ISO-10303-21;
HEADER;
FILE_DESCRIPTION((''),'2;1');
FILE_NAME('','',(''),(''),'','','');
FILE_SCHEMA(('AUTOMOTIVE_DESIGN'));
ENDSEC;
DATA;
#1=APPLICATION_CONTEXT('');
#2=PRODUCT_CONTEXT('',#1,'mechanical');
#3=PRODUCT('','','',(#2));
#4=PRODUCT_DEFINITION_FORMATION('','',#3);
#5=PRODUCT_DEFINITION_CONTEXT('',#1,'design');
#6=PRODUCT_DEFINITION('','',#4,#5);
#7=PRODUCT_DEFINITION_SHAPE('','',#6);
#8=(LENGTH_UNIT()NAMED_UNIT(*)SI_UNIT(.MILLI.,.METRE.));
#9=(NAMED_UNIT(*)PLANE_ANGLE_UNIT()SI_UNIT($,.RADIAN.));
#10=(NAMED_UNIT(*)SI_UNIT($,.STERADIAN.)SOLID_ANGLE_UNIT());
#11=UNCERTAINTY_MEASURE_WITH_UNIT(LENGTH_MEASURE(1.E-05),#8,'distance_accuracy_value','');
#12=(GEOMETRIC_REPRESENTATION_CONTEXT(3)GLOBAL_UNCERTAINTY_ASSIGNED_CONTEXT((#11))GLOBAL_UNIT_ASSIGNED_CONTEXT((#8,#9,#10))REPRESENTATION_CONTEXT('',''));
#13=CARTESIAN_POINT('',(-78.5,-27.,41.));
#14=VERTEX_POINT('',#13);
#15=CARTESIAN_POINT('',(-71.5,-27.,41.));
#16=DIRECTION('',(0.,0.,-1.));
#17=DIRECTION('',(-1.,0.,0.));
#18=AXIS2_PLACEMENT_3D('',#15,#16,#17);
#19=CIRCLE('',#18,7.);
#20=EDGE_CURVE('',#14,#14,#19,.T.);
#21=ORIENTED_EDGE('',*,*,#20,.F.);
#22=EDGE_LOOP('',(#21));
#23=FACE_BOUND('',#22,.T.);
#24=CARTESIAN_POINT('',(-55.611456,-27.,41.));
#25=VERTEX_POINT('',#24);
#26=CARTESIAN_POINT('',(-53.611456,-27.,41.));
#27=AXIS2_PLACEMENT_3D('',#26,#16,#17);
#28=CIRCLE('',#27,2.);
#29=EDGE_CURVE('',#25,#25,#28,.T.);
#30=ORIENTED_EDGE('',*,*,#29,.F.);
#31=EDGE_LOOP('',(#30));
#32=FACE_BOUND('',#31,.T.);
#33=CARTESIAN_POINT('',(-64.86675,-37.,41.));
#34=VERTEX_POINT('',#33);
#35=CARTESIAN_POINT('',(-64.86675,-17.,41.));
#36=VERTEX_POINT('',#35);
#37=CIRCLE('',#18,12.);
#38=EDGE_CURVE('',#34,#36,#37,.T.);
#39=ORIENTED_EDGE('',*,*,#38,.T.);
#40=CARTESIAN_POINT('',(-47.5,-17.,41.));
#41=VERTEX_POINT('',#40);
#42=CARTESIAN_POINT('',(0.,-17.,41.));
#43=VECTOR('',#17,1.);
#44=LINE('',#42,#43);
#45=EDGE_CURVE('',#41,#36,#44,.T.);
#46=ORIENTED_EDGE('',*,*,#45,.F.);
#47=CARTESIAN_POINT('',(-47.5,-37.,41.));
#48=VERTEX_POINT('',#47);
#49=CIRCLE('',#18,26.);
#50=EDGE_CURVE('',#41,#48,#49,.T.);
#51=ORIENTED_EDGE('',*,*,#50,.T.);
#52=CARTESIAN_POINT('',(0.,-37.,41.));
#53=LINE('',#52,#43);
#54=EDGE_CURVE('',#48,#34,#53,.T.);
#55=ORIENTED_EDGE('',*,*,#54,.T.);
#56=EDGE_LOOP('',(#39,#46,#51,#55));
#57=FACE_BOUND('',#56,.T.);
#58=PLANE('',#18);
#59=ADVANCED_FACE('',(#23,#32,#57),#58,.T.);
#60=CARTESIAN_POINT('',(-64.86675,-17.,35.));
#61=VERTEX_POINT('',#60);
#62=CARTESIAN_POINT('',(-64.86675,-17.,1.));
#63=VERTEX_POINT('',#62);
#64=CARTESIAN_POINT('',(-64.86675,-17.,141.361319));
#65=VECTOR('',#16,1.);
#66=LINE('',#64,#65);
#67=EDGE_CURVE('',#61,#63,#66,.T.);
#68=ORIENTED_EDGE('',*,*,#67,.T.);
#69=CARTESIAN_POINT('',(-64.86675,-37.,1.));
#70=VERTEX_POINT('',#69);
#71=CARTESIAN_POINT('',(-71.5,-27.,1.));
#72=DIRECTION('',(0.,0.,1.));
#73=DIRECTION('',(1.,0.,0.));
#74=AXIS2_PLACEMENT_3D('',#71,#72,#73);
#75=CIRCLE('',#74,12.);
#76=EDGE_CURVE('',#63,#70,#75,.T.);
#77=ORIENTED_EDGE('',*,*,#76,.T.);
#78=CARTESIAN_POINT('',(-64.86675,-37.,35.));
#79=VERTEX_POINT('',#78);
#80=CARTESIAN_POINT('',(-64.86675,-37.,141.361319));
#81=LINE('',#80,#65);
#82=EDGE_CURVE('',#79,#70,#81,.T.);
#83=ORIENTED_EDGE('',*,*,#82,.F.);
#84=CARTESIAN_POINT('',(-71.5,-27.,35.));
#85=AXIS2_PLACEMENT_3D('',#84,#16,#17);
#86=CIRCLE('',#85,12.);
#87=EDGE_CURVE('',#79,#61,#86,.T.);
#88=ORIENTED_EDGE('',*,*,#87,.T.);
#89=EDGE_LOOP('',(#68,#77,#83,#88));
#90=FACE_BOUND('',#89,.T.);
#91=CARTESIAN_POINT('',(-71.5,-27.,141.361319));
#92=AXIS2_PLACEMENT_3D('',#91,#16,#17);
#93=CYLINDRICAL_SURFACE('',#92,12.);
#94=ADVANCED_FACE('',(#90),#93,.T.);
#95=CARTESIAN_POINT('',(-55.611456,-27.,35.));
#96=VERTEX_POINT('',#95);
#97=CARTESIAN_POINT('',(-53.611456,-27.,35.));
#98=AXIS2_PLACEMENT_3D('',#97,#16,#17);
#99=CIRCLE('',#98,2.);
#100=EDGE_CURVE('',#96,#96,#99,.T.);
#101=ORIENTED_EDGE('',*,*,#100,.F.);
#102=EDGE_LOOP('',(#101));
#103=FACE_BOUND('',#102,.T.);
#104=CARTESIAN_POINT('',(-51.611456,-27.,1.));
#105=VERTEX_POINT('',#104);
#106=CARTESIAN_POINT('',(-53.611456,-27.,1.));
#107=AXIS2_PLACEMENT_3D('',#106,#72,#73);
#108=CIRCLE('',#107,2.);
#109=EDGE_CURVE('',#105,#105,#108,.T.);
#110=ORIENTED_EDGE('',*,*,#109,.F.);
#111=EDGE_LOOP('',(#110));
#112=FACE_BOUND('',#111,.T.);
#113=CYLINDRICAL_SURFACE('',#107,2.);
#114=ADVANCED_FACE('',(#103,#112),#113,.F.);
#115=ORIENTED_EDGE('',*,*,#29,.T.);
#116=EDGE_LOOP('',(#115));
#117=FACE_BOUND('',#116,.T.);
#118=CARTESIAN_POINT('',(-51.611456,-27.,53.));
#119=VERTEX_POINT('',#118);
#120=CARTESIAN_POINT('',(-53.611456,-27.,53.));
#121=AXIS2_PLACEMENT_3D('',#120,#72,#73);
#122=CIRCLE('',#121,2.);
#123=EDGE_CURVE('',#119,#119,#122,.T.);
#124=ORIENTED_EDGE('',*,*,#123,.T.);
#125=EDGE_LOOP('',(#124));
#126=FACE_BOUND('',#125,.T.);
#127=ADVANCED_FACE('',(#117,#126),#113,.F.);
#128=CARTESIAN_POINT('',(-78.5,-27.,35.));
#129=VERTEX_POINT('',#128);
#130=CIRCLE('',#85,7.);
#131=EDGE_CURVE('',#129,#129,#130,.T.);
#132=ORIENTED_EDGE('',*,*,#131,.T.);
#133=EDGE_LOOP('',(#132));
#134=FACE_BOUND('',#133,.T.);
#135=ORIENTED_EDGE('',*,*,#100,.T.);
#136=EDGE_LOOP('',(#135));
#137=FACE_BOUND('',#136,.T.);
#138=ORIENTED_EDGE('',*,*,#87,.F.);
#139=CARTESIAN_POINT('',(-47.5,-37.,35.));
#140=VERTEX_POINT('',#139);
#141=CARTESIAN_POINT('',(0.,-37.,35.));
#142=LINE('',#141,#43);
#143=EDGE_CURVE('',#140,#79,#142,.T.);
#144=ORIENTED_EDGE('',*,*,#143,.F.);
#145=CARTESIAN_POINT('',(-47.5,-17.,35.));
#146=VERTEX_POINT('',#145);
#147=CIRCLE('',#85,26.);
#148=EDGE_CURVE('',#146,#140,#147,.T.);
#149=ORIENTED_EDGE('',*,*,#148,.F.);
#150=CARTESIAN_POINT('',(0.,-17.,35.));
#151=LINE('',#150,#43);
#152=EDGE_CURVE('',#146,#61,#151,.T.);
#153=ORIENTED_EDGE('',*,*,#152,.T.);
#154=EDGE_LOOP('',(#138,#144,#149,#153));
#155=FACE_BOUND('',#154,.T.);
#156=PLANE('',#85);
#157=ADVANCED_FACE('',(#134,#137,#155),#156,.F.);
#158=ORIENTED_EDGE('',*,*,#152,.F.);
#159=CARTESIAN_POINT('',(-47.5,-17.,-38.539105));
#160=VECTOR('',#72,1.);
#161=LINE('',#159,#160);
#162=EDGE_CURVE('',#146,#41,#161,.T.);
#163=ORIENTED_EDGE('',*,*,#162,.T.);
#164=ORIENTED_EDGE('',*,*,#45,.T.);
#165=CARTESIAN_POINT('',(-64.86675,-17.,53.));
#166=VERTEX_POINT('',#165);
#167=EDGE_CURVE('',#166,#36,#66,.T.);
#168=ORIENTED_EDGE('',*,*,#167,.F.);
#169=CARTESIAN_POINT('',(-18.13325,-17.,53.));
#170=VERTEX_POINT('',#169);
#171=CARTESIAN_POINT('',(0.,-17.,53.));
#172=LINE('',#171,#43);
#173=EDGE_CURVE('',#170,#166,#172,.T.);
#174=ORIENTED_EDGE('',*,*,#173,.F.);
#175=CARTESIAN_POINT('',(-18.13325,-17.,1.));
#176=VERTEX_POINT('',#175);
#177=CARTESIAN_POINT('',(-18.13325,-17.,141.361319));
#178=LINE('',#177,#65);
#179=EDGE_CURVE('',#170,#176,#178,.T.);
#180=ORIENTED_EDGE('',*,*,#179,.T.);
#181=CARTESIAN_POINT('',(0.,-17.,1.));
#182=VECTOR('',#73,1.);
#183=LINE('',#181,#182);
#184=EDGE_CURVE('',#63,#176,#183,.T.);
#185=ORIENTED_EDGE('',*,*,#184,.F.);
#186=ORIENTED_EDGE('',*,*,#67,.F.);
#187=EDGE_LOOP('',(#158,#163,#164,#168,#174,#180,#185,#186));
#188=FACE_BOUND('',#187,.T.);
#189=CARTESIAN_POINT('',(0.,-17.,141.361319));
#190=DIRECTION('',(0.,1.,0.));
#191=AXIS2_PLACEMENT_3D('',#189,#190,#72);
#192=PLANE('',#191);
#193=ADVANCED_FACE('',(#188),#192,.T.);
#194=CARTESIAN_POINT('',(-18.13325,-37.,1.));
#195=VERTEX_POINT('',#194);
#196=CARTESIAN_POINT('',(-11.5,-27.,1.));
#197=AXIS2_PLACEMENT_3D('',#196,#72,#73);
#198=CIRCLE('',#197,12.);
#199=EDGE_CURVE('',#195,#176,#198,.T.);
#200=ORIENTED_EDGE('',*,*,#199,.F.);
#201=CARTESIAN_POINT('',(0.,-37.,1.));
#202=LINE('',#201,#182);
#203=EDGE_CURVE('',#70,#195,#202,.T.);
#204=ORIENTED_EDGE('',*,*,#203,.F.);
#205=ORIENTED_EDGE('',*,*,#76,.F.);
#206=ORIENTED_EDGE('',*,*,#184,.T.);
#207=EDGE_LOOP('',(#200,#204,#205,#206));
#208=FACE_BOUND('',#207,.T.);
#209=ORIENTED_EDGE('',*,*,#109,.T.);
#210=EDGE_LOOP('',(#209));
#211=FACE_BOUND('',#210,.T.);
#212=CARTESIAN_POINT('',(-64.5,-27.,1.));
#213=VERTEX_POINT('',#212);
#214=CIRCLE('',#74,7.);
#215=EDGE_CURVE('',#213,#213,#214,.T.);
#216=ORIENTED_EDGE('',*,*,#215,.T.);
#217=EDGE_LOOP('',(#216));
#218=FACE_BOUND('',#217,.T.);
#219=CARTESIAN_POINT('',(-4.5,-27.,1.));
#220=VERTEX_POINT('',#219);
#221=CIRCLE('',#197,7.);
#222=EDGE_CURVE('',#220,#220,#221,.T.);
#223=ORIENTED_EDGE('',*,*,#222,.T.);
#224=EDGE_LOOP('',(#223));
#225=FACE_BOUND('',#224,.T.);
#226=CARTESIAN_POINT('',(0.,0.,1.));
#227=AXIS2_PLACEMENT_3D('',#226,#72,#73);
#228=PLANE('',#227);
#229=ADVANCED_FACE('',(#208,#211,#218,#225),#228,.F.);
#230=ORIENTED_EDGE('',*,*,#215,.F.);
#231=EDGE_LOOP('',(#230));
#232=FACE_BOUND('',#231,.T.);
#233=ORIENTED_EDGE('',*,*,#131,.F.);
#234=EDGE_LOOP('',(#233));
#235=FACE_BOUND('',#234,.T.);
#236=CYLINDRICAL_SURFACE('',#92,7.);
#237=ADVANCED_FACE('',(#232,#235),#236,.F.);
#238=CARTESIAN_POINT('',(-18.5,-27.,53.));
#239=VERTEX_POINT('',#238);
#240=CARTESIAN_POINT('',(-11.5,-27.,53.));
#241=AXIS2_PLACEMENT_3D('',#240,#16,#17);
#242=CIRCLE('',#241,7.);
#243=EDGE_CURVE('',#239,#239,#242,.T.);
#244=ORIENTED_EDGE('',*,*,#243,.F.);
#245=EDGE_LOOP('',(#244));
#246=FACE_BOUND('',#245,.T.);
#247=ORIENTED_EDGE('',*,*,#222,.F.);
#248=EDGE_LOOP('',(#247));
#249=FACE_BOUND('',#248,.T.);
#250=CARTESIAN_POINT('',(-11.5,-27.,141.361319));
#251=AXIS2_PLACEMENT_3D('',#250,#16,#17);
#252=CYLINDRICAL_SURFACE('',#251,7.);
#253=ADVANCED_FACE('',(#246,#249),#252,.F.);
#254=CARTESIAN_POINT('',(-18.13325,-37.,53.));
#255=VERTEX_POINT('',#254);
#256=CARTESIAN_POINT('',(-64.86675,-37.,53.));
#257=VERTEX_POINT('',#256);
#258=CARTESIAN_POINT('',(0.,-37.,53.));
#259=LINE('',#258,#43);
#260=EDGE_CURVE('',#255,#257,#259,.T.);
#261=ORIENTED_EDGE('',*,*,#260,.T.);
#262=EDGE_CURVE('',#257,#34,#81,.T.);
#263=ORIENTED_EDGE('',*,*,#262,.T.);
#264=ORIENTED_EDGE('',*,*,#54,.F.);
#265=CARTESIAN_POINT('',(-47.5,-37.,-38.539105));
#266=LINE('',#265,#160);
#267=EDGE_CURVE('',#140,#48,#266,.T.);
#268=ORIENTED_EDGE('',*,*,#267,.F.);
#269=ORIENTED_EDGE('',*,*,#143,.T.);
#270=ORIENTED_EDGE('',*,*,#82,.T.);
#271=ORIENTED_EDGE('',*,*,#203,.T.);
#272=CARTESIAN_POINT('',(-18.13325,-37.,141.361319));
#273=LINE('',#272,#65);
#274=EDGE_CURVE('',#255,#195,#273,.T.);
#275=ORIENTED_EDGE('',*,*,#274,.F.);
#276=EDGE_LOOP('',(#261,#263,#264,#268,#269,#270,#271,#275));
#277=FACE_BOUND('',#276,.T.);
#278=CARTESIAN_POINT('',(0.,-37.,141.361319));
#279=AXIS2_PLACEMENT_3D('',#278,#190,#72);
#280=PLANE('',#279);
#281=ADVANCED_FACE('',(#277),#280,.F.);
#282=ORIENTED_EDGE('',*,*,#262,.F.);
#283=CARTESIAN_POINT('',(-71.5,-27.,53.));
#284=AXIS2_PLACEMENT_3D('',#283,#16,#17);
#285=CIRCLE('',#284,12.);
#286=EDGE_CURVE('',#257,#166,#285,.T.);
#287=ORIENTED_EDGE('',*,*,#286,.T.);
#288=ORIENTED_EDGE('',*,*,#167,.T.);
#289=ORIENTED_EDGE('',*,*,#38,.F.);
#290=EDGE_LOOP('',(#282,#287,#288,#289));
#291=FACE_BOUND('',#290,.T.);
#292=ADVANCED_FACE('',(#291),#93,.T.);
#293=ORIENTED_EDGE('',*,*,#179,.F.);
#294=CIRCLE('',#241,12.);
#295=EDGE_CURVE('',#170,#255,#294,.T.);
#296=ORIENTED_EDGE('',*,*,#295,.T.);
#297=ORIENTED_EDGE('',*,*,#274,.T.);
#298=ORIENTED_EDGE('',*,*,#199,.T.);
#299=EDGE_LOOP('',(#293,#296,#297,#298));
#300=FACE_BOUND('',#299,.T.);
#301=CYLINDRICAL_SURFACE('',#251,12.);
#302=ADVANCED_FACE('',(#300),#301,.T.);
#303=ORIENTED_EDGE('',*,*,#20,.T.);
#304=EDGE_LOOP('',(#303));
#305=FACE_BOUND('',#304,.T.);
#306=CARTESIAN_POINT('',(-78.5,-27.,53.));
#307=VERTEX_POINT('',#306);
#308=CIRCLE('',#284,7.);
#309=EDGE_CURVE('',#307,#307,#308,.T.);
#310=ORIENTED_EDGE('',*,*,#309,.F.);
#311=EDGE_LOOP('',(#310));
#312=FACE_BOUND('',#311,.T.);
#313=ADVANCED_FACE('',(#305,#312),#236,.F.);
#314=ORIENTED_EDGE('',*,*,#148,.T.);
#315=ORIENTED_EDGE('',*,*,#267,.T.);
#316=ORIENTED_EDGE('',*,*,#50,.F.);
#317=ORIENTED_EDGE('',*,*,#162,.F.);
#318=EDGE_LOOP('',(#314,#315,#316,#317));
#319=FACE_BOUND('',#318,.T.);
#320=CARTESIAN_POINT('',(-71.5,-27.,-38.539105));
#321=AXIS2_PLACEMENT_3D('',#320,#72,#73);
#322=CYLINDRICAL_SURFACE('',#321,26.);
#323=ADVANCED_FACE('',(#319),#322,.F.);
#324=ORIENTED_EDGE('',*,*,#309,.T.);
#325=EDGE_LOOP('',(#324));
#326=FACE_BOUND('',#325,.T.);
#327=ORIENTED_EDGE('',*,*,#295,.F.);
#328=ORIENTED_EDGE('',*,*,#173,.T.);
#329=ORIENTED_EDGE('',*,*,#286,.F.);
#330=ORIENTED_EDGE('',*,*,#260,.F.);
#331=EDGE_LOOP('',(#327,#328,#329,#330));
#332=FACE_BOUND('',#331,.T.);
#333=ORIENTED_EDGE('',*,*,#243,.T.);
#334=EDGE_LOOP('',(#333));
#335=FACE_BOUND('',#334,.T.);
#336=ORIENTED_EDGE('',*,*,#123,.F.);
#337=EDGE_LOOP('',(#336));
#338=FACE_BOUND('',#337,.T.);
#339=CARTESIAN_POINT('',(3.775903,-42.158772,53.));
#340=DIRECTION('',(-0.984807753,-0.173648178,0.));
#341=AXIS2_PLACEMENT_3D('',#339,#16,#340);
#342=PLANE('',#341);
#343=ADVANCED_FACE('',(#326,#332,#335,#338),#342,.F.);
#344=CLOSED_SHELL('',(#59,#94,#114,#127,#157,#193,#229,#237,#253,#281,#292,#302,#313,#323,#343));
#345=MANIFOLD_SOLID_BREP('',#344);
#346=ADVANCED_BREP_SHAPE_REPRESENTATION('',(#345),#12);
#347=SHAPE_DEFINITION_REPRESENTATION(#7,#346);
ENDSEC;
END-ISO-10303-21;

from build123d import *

# Parameters (mm, degrees)
BOSS_EXTRUDE1_START     = 1
SKETCH1_R               = 7
BOSS_EXTRUDE1_DEPTH     = 52
CUT_EXTRUDE1_START      = -18
SKETCH2_R               = 26
CUT_EXTRUDE1_DEPTH      = 6
CUT_EXTRUDE2_DEPTH      = 99.230596048
CUT_EXTRUDE2_DEPTH_BACK = 99.230596048
SKETCH3_R               = 2


with BuildPart() as part:
    # Sketch1 → Boss-Extrude1 (new body)
    with BuildSketch(Plane.XY.offset(BOSS_EXTRUDE1_START)):
        with BuildLine():
            ThreePointArc((-64.866750419, -17), (-83.5, -27), (-64.866750419, -37))
            Line((-64.866750419, -37), (-18.133249581, -37))
            ThreePointArc((-18.133249581, -37), (0.5, -27), (-18.133249581, -17))
            Line((-18.133249581, -17), (-64.866750419, -17))
        make_face()
        with Locations(Location((-71.5, -27, 0), (0, 0, 180))):
            Circle(SKETCH1_R, mode=Mode.SUBTRACT)
        with Locations(Location((-11.5, -27, 0), (0, 0, 180))):
            Circle(SKETCH1_R, mode=Mode.SUBTRACT)
    extrude(amount=BOSS_EXTRUDE1_DEPTH)

    # Sketch2 → Cut-Extrude1 (cut)
    with BuildSketch(Plane.XY.offset(53).offset(CUT_EXTRUDE1_START)):
        with Locations((-71.5, -27)):
            Circle(SKETCH2_R)
    extrude(amount=CUT_EXTRUDE1_DEPTH, mode=Mode.SUBTRACT)

    # Sketch3 → Cut-Extrude2 (cut, two sides: drawn at the far end of the back side and taken through both)
    with BuildSketch(Plane.XY.offset(35).offset(-CUT_EXTRUDE2_DEPTH_BACK)):
        with Locations((-53.61145618, -27)):
            Circle(SKETCH3_R)
    extrude(amount=CUT_EXTRUDE2_DEPTH + CUT_EXTRUDE2_DEPTH_BACK, mode=Mode.SUBTRACT)


solid = part.part
